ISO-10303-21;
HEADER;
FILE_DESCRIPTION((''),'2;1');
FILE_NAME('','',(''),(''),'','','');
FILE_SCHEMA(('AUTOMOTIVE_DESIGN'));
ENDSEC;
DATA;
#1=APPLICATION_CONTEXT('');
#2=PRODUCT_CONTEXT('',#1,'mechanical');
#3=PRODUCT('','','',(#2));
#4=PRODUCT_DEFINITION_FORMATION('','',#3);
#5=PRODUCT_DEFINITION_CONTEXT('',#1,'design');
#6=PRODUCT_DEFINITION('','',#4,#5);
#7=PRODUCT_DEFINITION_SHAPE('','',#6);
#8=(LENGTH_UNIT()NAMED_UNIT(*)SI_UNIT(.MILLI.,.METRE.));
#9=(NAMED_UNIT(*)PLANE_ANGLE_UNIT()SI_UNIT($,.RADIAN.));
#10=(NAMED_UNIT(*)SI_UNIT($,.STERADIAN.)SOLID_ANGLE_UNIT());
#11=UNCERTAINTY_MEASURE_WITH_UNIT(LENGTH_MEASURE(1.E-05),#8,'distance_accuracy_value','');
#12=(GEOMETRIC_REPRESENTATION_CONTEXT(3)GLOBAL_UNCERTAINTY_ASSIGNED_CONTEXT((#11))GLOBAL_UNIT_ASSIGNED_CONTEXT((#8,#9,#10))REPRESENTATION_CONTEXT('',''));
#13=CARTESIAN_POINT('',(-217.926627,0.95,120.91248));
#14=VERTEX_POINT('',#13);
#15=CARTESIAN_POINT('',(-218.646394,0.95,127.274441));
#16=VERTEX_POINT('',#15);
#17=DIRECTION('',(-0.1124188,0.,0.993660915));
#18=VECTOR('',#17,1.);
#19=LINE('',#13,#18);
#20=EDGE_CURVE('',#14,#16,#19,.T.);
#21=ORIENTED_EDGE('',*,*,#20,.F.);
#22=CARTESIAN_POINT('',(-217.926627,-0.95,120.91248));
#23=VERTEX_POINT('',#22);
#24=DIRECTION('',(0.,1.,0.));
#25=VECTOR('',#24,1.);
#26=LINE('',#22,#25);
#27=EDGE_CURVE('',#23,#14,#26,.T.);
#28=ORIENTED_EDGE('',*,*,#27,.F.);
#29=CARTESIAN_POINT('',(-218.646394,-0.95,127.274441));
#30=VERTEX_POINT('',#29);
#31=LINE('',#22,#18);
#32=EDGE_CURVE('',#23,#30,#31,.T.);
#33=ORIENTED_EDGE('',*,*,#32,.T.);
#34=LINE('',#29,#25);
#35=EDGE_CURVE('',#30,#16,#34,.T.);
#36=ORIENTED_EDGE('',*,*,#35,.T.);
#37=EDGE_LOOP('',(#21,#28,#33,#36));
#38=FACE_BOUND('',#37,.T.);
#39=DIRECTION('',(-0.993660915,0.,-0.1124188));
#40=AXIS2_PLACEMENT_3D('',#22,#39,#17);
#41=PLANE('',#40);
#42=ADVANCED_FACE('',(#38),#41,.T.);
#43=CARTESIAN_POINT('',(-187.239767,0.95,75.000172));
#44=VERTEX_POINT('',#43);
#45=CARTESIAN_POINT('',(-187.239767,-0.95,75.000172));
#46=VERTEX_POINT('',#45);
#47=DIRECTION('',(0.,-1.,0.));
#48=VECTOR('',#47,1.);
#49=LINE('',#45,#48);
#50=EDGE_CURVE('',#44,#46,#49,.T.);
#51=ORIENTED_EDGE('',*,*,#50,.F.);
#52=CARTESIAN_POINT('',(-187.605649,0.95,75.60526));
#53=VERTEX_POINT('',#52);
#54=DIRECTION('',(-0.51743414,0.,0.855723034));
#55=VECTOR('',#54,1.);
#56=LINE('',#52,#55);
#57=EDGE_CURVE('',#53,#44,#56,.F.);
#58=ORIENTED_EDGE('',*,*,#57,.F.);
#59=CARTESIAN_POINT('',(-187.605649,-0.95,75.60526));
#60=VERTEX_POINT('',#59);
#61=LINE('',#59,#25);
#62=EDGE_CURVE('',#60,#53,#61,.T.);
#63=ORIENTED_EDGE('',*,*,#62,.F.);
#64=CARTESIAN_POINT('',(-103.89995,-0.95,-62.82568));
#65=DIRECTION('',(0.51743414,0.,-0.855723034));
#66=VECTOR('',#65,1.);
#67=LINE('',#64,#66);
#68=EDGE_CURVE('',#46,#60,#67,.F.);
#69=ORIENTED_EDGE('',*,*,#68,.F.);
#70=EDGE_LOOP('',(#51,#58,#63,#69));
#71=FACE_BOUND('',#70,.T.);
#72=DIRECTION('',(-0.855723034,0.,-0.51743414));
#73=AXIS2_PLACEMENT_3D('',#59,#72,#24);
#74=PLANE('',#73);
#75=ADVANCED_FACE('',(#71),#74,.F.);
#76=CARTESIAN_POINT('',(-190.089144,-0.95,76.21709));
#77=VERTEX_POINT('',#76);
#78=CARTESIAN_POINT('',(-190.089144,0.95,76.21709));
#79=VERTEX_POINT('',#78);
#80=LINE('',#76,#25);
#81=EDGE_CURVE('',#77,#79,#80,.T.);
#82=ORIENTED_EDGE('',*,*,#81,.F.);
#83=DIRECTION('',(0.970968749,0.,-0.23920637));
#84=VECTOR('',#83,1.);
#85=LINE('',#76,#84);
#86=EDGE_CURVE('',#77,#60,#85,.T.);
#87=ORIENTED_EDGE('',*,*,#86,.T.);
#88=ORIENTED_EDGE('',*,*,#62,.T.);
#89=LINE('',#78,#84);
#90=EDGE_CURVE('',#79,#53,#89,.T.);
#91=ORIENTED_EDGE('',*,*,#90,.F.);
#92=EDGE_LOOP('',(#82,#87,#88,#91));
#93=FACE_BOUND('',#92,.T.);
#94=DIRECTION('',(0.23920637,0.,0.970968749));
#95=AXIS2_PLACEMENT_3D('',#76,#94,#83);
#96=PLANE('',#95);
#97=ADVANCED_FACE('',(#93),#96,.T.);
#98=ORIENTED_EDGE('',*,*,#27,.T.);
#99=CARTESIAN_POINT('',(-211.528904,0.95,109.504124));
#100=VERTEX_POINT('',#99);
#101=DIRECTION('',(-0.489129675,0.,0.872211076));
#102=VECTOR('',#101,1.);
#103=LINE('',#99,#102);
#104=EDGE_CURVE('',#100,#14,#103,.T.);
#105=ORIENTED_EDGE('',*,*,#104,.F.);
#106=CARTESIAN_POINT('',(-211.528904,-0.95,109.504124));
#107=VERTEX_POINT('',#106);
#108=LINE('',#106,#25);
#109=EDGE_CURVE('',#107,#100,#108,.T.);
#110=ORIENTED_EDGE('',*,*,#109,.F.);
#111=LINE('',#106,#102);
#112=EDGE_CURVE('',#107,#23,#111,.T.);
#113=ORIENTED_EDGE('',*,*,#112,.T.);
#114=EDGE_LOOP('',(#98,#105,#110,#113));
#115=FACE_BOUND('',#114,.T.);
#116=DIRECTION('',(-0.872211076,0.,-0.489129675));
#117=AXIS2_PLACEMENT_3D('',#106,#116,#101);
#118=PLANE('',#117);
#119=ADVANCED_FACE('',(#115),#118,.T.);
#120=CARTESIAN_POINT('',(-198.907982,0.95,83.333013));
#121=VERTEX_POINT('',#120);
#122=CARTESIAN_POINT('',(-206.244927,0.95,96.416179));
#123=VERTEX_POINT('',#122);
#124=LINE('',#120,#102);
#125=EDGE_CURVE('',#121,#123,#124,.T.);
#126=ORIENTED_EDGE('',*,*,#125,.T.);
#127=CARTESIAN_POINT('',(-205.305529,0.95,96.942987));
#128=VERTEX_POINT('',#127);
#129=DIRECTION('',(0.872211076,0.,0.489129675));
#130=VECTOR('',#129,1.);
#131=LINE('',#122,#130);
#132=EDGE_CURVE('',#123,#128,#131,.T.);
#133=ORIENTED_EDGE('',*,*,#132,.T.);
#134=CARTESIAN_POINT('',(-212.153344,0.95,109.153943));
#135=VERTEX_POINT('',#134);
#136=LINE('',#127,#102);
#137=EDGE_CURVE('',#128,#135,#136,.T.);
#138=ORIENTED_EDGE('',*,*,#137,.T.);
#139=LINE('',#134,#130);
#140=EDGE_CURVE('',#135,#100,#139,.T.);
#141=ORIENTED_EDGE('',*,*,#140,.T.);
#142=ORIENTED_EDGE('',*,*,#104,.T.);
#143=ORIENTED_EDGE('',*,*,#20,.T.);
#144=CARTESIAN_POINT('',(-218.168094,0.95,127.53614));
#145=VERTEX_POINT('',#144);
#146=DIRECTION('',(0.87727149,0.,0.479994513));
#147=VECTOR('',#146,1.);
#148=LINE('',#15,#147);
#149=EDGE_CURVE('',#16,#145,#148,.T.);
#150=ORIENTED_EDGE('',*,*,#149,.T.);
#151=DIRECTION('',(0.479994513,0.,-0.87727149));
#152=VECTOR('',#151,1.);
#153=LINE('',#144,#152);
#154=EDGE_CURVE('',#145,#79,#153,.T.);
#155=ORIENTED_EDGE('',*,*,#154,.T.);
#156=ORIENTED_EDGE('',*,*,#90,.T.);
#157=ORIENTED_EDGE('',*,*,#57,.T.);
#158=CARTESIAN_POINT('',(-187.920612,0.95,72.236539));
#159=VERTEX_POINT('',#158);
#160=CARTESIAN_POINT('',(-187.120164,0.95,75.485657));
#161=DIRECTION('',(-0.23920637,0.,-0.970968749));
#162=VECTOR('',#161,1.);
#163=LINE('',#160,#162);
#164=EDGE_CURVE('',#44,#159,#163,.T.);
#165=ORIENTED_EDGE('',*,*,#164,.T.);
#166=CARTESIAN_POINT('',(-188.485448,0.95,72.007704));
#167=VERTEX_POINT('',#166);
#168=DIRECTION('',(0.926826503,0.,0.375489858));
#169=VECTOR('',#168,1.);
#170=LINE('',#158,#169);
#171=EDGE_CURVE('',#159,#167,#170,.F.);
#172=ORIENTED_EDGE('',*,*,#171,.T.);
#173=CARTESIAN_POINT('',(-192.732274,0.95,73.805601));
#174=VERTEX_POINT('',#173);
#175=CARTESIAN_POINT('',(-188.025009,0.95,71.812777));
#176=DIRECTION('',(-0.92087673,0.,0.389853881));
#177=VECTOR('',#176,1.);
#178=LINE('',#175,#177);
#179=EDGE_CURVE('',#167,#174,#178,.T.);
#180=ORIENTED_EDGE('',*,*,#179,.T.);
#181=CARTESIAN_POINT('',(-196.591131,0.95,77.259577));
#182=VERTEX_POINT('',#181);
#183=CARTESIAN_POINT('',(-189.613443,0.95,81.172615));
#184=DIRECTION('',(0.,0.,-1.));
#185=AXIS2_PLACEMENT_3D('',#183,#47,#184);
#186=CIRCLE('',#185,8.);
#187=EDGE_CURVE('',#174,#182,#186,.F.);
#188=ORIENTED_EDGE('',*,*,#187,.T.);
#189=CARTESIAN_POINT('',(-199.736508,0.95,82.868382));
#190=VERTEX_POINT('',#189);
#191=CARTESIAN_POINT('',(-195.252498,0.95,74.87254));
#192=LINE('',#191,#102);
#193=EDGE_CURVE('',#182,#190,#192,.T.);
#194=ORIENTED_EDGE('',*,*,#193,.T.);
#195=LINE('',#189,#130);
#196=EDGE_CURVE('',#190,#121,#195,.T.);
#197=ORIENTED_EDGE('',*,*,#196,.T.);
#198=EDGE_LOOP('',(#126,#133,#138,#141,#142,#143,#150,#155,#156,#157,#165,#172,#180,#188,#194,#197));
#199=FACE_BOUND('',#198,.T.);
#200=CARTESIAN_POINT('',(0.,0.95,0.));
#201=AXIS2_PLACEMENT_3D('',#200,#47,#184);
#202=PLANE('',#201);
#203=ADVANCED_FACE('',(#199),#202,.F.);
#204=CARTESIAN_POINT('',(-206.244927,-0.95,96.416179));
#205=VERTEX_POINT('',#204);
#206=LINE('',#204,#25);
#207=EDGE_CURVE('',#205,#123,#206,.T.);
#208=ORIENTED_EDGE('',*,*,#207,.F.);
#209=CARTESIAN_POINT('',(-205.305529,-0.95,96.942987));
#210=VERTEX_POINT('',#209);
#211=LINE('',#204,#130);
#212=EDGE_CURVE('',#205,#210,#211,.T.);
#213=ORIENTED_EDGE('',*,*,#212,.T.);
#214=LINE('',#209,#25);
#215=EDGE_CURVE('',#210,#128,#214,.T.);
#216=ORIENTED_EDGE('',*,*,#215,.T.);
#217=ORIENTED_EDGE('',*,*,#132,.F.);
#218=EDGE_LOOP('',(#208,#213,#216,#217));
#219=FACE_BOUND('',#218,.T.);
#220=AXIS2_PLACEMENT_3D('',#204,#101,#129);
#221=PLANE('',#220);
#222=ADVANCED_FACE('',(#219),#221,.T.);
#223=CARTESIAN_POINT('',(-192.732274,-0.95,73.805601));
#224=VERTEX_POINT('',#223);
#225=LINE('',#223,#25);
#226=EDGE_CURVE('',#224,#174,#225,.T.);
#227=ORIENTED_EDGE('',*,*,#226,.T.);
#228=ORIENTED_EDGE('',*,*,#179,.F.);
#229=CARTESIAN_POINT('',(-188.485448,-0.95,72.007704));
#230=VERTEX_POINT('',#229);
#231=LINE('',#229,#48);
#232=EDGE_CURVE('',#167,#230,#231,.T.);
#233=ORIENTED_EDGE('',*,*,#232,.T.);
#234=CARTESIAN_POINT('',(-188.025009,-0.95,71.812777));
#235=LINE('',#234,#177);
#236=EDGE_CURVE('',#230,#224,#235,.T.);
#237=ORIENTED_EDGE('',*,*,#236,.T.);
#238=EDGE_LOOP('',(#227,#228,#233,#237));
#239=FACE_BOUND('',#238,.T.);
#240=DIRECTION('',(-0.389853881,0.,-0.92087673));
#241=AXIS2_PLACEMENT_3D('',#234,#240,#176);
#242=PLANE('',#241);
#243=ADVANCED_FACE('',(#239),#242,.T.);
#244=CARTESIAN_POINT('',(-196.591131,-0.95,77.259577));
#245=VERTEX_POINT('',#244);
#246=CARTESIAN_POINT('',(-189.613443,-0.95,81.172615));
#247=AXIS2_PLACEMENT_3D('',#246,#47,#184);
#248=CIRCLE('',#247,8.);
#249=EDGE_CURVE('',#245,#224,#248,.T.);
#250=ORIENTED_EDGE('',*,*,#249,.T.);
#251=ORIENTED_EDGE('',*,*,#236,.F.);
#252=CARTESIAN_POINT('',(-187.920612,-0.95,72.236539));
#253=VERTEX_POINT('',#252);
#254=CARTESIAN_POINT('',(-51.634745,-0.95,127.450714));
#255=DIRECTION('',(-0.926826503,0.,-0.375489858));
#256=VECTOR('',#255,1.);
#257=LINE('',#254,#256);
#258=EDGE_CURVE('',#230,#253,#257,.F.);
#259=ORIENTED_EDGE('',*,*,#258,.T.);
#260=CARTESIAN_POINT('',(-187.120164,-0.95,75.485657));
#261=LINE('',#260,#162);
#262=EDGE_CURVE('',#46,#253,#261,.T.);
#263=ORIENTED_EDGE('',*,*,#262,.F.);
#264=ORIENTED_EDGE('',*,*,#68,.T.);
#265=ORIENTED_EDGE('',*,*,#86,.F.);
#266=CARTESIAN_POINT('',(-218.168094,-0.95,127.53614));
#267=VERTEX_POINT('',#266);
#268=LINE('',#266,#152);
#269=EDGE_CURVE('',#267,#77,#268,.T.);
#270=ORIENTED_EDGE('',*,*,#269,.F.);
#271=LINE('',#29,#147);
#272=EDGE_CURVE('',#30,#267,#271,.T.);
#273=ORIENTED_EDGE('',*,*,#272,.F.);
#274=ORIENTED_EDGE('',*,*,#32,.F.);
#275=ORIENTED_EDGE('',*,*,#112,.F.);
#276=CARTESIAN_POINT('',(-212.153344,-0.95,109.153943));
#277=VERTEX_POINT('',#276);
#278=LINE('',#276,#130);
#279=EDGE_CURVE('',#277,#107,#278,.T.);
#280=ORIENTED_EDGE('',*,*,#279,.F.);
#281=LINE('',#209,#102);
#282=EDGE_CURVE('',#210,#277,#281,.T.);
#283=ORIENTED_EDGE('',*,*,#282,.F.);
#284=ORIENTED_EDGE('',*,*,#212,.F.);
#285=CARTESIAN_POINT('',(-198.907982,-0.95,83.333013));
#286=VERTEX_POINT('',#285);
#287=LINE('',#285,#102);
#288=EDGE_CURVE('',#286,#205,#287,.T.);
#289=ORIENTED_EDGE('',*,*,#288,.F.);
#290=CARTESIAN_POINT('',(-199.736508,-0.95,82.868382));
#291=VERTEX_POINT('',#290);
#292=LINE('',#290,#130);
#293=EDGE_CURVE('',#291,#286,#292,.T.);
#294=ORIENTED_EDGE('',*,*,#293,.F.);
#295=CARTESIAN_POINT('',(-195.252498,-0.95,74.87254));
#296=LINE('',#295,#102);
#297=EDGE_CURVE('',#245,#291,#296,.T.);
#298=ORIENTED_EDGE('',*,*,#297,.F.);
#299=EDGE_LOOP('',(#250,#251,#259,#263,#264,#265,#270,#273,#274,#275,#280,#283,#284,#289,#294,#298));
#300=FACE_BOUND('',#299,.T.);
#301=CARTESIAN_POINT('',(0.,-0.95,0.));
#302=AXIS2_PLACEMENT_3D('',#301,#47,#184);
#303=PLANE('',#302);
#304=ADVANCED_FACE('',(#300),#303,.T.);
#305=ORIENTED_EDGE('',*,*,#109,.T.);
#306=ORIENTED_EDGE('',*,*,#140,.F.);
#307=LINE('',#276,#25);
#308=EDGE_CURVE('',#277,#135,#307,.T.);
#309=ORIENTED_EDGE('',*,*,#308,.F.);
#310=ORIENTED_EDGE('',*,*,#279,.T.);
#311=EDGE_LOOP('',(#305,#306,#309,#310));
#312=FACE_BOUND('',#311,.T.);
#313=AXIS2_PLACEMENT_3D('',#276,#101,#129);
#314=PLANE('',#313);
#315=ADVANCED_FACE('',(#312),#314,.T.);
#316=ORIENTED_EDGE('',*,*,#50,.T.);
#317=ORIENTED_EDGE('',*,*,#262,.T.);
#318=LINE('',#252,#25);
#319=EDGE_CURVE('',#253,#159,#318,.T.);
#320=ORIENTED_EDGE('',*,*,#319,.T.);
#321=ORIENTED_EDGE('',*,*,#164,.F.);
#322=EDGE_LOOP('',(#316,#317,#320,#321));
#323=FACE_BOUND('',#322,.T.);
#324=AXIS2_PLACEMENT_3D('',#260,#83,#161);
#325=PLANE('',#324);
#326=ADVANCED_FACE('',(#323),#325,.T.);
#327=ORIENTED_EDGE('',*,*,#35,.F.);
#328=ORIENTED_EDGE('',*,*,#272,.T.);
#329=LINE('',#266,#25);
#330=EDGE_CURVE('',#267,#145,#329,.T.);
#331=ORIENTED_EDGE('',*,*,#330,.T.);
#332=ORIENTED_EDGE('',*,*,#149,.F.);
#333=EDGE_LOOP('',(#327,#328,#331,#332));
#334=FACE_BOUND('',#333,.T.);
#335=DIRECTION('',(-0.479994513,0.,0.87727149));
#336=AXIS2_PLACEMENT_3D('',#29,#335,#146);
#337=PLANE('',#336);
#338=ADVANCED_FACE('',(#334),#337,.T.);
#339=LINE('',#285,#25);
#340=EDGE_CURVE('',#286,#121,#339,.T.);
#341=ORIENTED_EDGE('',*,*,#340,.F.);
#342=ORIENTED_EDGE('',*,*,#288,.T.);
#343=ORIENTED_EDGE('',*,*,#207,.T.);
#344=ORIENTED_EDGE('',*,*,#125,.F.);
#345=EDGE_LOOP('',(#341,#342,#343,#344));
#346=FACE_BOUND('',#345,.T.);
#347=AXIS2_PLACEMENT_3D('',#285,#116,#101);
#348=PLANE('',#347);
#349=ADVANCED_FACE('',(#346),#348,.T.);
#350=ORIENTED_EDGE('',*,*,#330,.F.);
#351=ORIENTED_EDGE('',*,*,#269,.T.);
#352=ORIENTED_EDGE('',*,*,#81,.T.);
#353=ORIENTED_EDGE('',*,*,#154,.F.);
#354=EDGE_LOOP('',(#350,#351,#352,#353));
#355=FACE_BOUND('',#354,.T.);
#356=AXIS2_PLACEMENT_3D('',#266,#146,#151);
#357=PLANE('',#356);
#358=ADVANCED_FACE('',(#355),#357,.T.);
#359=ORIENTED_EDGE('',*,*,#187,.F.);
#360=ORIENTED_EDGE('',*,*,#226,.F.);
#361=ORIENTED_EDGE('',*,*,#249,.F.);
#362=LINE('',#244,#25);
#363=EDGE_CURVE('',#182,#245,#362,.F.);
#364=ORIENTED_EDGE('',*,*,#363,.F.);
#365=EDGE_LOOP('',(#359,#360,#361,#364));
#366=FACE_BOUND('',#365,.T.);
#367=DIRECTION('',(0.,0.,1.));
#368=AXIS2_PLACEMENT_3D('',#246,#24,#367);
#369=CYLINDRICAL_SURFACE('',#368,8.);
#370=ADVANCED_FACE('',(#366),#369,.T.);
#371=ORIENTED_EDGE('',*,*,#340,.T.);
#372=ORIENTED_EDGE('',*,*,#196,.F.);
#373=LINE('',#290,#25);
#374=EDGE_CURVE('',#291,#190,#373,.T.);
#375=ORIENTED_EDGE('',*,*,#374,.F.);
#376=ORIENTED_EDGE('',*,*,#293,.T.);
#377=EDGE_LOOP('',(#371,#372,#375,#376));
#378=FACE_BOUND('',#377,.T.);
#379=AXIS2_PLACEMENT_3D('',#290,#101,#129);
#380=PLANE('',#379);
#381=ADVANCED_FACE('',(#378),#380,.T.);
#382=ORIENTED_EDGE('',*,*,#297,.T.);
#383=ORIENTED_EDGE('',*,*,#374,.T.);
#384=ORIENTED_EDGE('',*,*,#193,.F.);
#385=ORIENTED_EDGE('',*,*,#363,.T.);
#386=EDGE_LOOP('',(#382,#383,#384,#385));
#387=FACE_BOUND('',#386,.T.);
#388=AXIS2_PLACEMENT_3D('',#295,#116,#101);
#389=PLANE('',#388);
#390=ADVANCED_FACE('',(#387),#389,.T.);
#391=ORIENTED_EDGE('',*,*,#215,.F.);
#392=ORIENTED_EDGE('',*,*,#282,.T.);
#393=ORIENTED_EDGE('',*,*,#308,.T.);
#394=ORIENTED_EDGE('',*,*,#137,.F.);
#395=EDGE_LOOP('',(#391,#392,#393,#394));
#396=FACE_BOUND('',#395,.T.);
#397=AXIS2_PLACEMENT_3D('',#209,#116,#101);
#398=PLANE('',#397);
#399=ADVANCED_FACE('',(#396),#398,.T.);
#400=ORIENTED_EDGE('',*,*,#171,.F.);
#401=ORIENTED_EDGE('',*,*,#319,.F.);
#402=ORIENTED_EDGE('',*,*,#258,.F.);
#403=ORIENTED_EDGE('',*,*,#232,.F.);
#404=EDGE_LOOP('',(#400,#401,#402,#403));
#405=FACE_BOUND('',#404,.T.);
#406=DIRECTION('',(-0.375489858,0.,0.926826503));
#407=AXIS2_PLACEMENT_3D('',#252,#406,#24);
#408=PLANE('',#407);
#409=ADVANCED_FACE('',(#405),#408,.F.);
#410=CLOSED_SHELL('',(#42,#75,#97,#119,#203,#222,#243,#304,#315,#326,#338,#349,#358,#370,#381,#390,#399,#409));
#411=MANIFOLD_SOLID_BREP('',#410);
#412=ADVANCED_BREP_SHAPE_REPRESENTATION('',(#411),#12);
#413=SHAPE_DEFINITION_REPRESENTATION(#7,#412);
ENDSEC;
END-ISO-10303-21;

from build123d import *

# Parameters (mm, degrees)
EXTRUDE_2_DEPTH      = 0.95
EXTRUDE_2_DEPTH_BACK = 0.95
FILLET_6_R           = 8
CHAMFER_1_SIZE       = 0.5
CHAMFER_2_SIZE       = 0.5
CHAMFER_2_SIZE2      = 0.436431784


with BuildPart() as part:
    # 草图3 → 凸台-拉伸2 (new, two sides: drawn at the far end of the back side and taken through both)
    with BuildSketch(Plane(origin=(0, 0, 0), x_dir=(1, 0, 0), z_dir=(0, 1, 0)).offset(-EXTRUDE_2_DEPTH_BACK)):
        Polygon((-187.120164296, -75.485656639), (-188.025009302, -71.812776929), (-195.252497915, -74.872539862), (-199.736508362, -82.868381819), (-198.907982221, -83.333013297), (-206.244927345, -96.416179437), (-205.305528647, -96.942987446), (-212.153344095, -109.15394251), (-211.528903604, -109.50412423), (-217.926627044, -120.91247979), (-218.646393726, -127.274440762), (-218.168094082, -127.536139913), (-190.089143959, -76.21708991), align=None)
    extrude(amount=EXTRUDE_2_DEPTH + EXTRUDE_2_DEPTH_BACK)

    # 圆角6
    fillet_6_edges = [part.edges().sort_by_distance(p)[0] for p in [
        (-195.252497915, 0, 74.872539862),
    ]]
    fillet(fillet_6_edges, radius=FILLET_6_R)

    # 倒角1
    chamfer_1_edges = [part.edges().sort_by_distance(p)[0] for p in [
        (-187.120164296, 0, 75.485656639),
    ]]
    chamfer(chamfer_1_edges, length=CHAMFER_1_SIZE)

    # 倒角2
    chamfer_2_edges = [part.edges().sort_by_distance(p)[0] for p in [
        (-188.025009302, 0, 71.812776929),
    ]]
    chamfer_2_side = [part.faces().sort_by_distance(p)[0] for p in [
        (-190.378641555, 0, 72.809188977),
    ]]
    chamfer(chamfer_2_edges, length=CHAMFER_2_SIZE, length2=CHAMFER_2_SIZE2, reference=chamfer_2_side[0])


solid = part.part
